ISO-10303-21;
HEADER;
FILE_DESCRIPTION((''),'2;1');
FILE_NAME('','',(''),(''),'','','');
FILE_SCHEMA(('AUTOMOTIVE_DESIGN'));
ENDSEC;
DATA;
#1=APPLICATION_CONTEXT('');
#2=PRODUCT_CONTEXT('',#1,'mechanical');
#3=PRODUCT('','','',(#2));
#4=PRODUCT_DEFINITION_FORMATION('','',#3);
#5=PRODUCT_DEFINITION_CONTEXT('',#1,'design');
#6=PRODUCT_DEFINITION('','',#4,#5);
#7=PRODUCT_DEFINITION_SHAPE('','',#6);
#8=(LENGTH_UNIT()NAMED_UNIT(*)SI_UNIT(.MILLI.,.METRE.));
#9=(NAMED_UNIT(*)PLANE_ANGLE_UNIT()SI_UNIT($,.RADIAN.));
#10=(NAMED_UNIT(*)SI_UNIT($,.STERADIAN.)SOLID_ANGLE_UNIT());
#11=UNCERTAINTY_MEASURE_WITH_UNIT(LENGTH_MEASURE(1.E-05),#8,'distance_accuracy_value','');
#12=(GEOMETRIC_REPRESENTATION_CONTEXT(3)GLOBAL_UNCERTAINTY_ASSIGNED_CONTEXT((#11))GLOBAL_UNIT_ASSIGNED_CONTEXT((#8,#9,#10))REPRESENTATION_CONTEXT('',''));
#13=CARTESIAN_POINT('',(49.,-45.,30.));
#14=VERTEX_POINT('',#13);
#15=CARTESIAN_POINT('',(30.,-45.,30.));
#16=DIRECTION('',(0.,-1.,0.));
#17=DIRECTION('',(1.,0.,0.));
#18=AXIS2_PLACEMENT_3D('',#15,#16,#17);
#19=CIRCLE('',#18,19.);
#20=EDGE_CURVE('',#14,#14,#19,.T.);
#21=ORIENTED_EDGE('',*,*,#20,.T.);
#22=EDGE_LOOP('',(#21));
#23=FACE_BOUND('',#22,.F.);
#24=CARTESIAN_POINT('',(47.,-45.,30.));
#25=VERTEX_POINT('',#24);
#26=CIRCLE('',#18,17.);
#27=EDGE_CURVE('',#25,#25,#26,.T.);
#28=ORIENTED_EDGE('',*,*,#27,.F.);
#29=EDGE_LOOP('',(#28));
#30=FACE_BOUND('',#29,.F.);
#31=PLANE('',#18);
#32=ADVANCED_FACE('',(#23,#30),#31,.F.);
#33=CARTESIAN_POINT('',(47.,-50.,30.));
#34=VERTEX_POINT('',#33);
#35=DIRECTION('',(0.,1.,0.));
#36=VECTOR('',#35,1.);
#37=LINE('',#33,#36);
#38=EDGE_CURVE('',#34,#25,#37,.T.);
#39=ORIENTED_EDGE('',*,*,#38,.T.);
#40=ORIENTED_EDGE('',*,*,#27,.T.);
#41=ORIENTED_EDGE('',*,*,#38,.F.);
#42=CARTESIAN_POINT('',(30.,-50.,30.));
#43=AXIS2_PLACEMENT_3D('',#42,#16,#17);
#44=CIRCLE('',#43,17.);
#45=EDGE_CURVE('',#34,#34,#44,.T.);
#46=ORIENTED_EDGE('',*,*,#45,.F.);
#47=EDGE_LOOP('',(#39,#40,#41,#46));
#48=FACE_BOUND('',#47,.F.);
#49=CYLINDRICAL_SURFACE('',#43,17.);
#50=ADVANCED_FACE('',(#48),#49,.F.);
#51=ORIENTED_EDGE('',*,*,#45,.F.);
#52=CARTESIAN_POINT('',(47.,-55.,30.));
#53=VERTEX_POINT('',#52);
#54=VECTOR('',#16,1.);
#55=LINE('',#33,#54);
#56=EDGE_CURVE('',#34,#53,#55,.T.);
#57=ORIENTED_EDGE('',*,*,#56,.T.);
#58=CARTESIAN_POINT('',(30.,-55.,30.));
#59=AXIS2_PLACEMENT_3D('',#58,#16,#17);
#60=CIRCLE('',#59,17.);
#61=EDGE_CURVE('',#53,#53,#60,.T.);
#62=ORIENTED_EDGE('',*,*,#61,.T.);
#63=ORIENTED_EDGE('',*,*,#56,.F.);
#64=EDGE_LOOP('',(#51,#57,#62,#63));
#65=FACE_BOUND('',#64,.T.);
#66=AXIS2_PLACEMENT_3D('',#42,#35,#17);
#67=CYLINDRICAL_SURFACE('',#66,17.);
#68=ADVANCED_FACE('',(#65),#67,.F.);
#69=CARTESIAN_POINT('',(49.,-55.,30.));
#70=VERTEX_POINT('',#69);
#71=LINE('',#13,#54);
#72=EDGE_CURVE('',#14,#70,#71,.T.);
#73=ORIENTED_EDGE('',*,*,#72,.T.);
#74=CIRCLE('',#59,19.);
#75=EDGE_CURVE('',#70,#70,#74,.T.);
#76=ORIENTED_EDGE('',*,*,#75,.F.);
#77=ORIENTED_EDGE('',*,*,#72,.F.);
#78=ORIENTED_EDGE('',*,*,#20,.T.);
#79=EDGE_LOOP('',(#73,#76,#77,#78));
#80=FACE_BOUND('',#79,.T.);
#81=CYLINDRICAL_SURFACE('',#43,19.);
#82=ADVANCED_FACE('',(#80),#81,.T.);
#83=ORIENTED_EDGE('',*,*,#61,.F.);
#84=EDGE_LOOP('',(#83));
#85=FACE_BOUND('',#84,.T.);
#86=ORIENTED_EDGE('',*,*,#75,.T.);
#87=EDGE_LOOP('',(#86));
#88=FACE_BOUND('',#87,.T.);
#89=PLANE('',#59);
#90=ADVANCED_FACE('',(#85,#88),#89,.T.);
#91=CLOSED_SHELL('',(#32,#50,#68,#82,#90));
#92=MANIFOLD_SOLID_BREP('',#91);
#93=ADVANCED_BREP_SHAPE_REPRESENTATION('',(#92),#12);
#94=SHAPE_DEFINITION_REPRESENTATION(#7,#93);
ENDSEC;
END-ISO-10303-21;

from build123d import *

# Parameters (mm, degrees)
F2_R          = 19
F2_R_2        = 17
F3_DEPTH      = 5
F3_DEPTH_BACK = 5


with BuildPart() as f3:
    # F2 (on offset) → F3 (new body, two sides)
    with BuildSketch(Plane.XZ.offset(50)) as f3_sk:
        with Locations((30, 30)):
            Circle(F2_R)
        with Locations((30, 30)):
            Circle(F2_R_2, mode=Mode.SUBTRACT)
    extrude(amount=F3_DEPTH)
    extrude(f3_sk.sketch, amount=-F3_DEPTH_BACK)


solid = f3.part
